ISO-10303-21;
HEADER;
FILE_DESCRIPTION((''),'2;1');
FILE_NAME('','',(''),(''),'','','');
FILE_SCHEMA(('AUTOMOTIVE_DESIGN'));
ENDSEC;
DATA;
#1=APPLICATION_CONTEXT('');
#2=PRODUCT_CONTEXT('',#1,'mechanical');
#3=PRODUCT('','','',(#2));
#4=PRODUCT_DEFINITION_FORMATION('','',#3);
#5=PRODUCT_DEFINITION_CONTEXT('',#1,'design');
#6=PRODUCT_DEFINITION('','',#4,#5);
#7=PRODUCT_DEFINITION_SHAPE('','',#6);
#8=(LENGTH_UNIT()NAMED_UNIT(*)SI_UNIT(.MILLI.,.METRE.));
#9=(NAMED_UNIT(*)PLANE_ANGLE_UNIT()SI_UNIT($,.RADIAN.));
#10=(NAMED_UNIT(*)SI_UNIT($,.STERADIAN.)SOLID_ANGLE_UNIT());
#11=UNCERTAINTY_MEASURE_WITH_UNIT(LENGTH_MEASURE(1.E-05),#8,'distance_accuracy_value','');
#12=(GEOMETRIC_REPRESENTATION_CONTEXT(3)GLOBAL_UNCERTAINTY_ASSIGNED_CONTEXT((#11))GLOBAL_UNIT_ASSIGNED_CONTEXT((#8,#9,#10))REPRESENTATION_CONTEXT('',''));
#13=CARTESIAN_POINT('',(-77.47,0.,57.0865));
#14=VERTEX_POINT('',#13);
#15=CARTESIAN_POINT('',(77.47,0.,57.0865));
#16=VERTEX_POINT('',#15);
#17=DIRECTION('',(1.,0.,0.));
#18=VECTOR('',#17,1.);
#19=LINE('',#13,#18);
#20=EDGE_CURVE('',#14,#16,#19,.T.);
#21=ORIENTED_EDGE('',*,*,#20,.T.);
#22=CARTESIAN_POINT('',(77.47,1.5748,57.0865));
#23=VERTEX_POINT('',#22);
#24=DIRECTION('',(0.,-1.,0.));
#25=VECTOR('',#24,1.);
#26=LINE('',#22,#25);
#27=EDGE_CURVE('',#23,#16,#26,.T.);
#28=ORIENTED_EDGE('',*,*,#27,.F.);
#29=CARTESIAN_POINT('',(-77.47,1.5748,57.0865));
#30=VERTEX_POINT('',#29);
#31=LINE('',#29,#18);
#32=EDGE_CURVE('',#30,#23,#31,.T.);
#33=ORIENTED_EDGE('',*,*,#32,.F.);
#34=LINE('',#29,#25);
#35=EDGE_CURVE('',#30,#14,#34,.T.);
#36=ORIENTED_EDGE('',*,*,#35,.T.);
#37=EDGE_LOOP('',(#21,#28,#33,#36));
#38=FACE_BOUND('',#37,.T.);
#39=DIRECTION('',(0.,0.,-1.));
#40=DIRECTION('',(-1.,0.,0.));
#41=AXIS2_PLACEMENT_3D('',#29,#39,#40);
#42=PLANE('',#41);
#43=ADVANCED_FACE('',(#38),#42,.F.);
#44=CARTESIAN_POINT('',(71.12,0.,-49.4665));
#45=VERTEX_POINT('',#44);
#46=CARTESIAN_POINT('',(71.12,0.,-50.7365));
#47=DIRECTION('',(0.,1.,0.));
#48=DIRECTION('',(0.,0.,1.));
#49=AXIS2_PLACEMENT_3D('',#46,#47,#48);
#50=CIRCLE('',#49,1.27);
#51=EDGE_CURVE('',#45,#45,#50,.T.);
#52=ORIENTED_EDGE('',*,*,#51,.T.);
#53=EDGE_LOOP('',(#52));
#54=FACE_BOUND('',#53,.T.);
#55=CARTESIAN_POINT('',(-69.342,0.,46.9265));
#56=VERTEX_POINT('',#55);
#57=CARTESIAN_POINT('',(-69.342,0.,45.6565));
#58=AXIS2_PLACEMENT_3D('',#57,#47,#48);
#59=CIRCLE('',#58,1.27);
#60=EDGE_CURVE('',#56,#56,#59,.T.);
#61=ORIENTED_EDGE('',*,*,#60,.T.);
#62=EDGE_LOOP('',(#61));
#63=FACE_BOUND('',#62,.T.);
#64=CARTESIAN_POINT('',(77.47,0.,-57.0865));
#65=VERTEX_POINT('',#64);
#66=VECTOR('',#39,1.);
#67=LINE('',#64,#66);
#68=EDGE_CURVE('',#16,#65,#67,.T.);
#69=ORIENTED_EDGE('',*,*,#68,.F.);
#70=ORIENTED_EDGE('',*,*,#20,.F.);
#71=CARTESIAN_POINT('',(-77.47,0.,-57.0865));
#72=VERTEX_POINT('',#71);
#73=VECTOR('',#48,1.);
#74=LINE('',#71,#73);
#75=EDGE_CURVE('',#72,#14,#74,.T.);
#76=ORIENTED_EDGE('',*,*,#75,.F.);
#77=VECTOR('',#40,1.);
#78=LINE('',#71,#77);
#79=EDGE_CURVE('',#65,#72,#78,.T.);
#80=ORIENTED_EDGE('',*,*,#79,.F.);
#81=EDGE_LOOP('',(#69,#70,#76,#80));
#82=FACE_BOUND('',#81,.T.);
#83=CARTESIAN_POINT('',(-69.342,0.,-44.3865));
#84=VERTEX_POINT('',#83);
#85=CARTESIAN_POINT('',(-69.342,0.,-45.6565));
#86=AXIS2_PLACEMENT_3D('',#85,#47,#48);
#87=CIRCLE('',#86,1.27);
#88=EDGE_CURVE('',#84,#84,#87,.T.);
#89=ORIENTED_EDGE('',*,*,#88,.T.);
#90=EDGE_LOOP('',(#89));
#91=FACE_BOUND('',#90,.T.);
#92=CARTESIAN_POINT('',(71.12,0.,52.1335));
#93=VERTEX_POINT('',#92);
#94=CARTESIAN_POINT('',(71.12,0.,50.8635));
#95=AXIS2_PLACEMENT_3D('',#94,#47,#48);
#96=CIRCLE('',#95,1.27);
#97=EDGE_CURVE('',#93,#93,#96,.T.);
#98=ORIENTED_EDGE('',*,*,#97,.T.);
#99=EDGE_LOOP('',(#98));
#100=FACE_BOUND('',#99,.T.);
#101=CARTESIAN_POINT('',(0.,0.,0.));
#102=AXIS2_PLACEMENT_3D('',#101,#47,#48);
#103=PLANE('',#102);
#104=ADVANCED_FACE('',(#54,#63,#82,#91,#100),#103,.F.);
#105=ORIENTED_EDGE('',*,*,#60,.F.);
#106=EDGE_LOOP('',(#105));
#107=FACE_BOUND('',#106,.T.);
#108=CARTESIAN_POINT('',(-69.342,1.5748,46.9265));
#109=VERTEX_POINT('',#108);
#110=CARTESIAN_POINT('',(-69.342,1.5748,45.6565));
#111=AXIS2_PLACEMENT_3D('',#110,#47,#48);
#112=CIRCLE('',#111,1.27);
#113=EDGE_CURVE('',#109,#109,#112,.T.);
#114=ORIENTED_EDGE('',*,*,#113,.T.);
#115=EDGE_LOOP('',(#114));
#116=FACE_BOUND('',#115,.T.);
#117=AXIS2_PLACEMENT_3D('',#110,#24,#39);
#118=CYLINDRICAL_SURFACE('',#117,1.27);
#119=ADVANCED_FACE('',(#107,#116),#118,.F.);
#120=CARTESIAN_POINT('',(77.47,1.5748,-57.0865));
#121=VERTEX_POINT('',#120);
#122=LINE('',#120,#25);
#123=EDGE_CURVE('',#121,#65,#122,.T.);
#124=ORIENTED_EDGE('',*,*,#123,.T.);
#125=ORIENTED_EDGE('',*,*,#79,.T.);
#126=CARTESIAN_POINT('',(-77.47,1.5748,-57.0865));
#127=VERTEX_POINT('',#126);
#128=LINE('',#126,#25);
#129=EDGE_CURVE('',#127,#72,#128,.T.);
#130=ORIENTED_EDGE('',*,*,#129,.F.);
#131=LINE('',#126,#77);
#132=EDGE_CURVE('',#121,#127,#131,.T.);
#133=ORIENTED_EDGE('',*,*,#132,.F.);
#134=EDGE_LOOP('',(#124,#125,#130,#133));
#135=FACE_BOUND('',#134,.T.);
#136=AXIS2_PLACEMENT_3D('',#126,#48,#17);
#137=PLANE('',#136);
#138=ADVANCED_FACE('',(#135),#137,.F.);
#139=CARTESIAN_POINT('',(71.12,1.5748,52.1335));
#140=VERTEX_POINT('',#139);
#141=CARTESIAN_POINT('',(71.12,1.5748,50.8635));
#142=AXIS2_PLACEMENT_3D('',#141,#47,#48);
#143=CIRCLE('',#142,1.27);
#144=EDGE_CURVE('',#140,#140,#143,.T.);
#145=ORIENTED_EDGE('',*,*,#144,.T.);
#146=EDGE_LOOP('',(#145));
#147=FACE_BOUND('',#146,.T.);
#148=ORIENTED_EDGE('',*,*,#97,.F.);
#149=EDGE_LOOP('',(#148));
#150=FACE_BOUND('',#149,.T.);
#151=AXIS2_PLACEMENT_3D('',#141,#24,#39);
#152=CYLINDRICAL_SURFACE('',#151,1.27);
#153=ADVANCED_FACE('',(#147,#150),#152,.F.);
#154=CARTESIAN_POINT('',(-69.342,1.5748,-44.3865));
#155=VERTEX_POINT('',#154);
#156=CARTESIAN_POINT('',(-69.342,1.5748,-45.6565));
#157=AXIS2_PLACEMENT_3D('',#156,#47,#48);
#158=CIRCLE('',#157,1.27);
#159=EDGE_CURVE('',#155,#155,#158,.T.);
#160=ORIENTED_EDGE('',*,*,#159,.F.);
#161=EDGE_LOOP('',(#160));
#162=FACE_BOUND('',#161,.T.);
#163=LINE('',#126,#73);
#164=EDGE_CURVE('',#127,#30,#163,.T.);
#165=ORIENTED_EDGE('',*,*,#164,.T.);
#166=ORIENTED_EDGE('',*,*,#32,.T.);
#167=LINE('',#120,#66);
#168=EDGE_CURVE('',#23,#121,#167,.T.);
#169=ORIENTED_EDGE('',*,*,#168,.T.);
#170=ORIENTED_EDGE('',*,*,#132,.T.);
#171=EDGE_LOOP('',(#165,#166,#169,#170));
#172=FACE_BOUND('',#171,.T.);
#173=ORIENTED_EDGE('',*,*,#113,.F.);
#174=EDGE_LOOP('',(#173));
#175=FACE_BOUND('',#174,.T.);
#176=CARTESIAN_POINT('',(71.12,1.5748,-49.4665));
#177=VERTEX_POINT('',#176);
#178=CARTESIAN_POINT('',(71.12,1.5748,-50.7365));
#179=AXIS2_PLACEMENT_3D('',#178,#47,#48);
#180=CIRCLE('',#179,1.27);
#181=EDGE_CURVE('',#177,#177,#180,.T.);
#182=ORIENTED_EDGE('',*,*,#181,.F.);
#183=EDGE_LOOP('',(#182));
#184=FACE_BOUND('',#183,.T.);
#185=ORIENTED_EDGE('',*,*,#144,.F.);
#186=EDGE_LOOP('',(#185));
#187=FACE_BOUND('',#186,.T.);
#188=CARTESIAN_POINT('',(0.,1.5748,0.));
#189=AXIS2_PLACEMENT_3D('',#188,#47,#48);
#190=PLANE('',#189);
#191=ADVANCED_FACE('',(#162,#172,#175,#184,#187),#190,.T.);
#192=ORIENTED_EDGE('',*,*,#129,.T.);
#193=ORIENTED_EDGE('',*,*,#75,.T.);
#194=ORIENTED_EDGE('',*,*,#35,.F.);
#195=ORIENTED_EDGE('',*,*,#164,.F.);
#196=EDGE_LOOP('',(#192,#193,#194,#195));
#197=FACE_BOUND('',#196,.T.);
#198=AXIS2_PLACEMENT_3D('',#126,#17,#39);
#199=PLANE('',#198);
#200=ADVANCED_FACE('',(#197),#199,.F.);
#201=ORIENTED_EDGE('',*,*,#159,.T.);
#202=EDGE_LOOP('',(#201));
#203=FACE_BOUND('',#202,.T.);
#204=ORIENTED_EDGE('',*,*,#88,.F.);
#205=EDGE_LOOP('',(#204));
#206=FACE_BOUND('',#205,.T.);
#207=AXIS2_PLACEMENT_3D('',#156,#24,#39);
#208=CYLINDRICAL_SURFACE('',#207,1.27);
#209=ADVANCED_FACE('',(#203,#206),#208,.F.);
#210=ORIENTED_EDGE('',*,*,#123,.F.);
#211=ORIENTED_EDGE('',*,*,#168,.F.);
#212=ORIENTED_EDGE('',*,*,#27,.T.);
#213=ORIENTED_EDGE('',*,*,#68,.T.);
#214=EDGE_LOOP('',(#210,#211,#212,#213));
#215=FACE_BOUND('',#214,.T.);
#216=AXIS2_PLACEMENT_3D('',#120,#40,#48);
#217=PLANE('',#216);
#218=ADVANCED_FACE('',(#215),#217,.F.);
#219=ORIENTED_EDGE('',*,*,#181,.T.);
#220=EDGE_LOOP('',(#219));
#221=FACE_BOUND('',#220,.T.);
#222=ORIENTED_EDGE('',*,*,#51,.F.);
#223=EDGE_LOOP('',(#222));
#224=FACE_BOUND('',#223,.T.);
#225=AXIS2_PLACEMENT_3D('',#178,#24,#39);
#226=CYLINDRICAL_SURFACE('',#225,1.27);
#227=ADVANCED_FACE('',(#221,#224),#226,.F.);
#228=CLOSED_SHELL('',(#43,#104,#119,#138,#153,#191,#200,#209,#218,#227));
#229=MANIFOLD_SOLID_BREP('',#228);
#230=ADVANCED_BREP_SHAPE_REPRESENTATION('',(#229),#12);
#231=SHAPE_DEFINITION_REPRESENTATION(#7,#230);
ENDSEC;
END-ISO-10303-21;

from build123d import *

# Parameters (mm, degrees)
SKETCH1_W           = 154.94
SKETCH1_H           = 114.173
SKETCH1_R           = 1.27
BOSS_EXTRUDE1_DEPTH = 1.5748


with BuildPart() as part:
    # Sketch1 → Boss-Extrude1 (new body)
    with BuildSketch(Plane(origin=(0, 0, 0), x_dir=(1, 0, 0), z_dir=(0, 1, 0))):
        Rectangle(SKETCH1_W, SKETCH1_H)
        with Locations(Location((71.12, -50.8635, 0), (0, 0, 270))):
            Circle(SKETCH1_R, mode=Mode.SUBTRACT)
        with Locations(Location((71.12, 50.7365, 0), (0, 0, 270))):
            Circle(SKETCH1_R, mode=Mode.SUBTRACT)
        with Locations(Location((-69.342, 45.6565, 0), (0, 0, 270))):
            Circle(SKETCH1_R, mode=Mode.SUBTRACT)
        with Locations(Location((-69.342, -45.6565, 0), (0, 0, 270))):
            Circle(SKETCH1_R, mode=Mode.SUBTRACT)
    extrude(amount=BOSS_EXTRUDE1_DEPTH)


solid = part.part
